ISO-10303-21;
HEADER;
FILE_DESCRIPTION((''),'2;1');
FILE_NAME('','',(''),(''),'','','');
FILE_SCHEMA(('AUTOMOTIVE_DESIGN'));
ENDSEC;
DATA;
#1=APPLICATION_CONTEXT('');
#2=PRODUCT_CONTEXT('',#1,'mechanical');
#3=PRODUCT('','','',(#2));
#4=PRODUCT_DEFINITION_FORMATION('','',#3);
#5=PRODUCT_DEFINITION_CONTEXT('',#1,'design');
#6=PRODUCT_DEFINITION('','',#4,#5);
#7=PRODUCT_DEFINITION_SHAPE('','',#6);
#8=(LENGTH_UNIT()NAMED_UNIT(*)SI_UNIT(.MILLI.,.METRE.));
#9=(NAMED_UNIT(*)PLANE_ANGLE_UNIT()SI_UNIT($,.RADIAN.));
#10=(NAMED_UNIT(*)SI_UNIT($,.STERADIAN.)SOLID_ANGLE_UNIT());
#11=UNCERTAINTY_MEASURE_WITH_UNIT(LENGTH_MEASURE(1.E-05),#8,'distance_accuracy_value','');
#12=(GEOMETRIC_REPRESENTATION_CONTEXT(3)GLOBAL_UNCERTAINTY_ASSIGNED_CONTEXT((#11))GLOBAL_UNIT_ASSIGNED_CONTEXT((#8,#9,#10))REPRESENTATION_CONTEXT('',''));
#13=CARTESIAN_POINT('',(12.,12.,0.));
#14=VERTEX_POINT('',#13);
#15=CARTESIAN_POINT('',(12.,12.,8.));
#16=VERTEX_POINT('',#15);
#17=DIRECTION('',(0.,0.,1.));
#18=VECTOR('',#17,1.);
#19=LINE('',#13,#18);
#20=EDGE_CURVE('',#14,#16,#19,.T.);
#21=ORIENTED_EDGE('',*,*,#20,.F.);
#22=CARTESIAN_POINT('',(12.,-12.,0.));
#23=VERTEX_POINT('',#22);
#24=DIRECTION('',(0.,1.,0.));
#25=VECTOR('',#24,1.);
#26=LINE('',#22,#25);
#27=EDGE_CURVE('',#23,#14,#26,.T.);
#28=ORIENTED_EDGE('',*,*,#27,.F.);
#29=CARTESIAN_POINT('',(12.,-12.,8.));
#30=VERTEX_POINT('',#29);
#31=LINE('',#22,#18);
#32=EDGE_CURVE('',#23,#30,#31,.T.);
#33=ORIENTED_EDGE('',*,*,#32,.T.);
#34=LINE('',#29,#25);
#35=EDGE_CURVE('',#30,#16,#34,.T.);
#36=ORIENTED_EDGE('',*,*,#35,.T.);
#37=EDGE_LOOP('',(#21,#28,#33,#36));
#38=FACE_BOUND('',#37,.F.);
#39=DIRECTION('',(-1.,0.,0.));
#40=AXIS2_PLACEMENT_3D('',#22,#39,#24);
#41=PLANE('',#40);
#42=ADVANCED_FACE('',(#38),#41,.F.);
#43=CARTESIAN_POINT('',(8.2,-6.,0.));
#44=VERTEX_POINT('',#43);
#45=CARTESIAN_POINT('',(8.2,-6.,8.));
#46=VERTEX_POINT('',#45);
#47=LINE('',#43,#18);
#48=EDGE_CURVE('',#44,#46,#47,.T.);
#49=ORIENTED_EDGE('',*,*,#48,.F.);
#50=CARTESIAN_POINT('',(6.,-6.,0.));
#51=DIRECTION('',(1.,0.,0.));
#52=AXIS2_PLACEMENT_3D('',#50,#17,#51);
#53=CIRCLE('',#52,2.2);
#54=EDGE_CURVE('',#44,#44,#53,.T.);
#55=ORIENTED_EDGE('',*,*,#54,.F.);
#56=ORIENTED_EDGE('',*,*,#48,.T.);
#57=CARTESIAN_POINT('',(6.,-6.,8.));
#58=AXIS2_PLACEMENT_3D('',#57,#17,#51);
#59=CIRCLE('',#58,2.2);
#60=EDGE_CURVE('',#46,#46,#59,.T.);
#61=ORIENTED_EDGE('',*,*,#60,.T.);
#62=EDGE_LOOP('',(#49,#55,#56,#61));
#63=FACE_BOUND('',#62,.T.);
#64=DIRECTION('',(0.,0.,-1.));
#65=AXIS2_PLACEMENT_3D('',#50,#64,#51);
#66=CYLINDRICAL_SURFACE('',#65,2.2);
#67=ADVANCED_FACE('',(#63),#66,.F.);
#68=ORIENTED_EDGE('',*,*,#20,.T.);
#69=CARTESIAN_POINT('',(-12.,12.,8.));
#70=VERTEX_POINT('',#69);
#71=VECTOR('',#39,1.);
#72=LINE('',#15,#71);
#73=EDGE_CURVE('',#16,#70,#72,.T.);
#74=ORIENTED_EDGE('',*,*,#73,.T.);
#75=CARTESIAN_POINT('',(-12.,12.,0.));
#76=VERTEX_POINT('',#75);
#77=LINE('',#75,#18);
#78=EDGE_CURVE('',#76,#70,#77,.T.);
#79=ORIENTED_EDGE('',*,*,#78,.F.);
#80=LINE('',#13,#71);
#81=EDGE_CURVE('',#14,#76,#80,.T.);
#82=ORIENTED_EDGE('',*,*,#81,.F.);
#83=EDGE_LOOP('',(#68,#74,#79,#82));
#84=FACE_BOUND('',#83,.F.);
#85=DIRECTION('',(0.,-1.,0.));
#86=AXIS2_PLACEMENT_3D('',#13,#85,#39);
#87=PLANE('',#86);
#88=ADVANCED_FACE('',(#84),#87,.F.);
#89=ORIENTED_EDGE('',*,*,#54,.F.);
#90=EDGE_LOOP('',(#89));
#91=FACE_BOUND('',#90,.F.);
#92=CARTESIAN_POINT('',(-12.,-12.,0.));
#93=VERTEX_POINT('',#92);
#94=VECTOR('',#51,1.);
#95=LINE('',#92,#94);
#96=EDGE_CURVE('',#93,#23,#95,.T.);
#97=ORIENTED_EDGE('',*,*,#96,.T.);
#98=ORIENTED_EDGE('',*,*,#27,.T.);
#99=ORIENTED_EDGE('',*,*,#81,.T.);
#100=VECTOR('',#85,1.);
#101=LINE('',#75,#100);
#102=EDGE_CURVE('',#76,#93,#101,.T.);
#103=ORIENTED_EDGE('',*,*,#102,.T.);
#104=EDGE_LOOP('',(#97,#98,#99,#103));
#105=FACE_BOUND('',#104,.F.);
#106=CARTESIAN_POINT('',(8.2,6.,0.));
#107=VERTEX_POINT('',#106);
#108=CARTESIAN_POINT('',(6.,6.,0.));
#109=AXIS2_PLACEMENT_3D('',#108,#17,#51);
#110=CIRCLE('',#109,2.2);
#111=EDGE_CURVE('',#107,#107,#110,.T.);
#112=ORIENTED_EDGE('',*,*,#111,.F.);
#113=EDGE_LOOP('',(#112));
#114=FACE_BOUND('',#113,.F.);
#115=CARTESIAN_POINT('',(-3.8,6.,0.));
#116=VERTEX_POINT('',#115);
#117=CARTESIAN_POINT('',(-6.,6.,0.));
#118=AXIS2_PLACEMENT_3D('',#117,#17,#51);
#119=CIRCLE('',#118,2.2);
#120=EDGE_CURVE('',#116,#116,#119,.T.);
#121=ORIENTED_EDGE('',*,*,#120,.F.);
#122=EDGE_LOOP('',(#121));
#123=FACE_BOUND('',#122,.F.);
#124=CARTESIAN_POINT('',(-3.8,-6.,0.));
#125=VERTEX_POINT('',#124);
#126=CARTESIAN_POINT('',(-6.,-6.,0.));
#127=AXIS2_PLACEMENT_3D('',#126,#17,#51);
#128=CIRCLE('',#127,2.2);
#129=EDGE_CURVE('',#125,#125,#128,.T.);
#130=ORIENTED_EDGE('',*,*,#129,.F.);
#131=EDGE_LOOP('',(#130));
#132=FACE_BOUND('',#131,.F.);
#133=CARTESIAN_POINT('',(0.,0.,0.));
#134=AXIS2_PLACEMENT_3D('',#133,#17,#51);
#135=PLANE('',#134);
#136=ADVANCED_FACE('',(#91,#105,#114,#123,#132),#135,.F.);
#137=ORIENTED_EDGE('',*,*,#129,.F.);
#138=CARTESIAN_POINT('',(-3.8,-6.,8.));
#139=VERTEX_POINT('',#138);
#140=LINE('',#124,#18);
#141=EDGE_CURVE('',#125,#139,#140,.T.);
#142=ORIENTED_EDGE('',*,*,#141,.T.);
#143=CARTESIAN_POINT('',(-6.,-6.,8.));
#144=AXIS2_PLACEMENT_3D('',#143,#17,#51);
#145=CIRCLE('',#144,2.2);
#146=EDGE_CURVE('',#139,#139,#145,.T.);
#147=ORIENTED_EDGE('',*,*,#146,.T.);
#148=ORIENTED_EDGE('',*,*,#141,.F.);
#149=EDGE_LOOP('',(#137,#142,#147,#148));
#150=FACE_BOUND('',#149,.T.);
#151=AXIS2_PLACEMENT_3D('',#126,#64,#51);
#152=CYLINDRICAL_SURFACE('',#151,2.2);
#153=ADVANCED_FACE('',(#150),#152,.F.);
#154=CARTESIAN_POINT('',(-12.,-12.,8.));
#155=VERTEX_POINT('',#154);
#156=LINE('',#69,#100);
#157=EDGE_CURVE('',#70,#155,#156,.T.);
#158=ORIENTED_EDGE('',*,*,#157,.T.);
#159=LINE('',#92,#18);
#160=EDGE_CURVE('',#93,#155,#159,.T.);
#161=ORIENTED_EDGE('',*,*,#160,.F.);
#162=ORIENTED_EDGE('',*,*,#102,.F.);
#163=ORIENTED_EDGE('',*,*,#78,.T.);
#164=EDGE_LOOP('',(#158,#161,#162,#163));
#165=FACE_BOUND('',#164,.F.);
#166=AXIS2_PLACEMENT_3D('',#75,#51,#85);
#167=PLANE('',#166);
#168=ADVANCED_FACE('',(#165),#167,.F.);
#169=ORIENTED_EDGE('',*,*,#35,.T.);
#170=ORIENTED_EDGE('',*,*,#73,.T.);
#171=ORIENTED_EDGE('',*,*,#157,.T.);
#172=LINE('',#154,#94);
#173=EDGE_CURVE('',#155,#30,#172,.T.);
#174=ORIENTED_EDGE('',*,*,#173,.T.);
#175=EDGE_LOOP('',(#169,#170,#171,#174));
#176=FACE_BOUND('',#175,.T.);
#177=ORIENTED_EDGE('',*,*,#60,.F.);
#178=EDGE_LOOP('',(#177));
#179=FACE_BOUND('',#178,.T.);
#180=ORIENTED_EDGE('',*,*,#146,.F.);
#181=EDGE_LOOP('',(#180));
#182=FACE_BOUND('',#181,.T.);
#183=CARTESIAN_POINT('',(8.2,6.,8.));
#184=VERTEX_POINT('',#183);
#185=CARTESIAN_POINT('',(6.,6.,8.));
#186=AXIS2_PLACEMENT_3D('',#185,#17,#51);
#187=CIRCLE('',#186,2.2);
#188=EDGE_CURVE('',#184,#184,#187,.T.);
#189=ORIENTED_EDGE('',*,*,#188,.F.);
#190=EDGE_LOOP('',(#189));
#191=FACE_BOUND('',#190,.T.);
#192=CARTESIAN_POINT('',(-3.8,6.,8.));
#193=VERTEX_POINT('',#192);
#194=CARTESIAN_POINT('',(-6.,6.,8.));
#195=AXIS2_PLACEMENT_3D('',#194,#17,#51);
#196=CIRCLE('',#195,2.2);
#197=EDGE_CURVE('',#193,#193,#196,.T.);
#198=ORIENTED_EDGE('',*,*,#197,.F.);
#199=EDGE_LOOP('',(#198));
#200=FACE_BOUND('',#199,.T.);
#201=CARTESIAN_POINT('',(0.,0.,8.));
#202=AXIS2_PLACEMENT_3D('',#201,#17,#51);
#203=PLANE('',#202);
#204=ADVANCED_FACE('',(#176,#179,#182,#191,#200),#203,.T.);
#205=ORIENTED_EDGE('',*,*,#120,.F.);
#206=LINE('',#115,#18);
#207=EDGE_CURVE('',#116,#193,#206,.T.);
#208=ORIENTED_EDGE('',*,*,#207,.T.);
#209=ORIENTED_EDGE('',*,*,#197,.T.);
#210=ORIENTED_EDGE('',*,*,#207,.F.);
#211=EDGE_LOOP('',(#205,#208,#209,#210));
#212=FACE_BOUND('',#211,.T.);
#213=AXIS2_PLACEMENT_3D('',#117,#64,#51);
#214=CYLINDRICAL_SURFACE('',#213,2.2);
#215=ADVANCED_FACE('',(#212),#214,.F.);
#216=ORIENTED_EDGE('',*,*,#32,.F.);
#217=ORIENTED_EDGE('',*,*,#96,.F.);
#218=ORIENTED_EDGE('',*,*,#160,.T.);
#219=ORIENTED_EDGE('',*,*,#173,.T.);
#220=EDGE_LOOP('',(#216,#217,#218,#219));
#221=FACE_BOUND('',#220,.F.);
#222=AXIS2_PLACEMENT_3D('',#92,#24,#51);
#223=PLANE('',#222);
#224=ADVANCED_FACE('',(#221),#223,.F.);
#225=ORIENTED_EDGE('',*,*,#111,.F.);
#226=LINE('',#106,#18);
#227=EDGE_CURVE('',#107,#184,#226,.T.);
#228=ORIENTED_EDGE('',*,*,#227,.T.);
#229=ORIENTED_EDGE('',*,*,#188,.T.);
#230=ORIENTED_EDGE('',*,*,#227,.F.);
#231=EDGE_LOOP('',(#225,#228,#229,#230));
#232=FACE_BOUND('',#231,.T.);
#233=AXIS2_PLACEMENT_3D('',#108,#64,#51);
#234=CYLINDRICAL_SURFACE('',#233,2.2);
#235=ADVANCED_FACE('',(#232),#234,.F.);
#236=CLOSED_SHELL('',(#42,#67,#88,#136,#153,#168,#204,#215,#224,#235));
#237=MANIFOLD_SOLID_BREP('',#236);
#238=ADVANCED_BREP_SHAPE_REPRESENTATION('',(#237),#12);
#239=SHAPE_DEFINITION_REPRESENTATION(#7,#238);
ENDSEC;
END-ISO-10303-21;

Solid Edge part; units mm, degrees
sketch "Sketch1" plane through (0, 0, 0) normal (0, 0, 1) x (1, 0, 0)
  circle A0 centre (6, 6) radius 2.2
  circle A1 centre (6, -6) radius 2.2
  circle A2 centre (-6, -6) radius 2.2
  line L0 (-12, -12) -> (12, -12)
  line L1 (12, -12) -> (12, 12)
  line L2 (12, 12) -> (-12, 12)
  line L3 (-12, 12) -> (-12, -12)
  circle A3 centre (-6, 6) radius 2.2
  dimension "D1" = 24
  dimension "D2" = 24
  dimension "D3" = 4.4
extrude "Protrusion1" add sketch "Sketch1" along normal blind 8
properties material "ABS Plastic, medium impact"
